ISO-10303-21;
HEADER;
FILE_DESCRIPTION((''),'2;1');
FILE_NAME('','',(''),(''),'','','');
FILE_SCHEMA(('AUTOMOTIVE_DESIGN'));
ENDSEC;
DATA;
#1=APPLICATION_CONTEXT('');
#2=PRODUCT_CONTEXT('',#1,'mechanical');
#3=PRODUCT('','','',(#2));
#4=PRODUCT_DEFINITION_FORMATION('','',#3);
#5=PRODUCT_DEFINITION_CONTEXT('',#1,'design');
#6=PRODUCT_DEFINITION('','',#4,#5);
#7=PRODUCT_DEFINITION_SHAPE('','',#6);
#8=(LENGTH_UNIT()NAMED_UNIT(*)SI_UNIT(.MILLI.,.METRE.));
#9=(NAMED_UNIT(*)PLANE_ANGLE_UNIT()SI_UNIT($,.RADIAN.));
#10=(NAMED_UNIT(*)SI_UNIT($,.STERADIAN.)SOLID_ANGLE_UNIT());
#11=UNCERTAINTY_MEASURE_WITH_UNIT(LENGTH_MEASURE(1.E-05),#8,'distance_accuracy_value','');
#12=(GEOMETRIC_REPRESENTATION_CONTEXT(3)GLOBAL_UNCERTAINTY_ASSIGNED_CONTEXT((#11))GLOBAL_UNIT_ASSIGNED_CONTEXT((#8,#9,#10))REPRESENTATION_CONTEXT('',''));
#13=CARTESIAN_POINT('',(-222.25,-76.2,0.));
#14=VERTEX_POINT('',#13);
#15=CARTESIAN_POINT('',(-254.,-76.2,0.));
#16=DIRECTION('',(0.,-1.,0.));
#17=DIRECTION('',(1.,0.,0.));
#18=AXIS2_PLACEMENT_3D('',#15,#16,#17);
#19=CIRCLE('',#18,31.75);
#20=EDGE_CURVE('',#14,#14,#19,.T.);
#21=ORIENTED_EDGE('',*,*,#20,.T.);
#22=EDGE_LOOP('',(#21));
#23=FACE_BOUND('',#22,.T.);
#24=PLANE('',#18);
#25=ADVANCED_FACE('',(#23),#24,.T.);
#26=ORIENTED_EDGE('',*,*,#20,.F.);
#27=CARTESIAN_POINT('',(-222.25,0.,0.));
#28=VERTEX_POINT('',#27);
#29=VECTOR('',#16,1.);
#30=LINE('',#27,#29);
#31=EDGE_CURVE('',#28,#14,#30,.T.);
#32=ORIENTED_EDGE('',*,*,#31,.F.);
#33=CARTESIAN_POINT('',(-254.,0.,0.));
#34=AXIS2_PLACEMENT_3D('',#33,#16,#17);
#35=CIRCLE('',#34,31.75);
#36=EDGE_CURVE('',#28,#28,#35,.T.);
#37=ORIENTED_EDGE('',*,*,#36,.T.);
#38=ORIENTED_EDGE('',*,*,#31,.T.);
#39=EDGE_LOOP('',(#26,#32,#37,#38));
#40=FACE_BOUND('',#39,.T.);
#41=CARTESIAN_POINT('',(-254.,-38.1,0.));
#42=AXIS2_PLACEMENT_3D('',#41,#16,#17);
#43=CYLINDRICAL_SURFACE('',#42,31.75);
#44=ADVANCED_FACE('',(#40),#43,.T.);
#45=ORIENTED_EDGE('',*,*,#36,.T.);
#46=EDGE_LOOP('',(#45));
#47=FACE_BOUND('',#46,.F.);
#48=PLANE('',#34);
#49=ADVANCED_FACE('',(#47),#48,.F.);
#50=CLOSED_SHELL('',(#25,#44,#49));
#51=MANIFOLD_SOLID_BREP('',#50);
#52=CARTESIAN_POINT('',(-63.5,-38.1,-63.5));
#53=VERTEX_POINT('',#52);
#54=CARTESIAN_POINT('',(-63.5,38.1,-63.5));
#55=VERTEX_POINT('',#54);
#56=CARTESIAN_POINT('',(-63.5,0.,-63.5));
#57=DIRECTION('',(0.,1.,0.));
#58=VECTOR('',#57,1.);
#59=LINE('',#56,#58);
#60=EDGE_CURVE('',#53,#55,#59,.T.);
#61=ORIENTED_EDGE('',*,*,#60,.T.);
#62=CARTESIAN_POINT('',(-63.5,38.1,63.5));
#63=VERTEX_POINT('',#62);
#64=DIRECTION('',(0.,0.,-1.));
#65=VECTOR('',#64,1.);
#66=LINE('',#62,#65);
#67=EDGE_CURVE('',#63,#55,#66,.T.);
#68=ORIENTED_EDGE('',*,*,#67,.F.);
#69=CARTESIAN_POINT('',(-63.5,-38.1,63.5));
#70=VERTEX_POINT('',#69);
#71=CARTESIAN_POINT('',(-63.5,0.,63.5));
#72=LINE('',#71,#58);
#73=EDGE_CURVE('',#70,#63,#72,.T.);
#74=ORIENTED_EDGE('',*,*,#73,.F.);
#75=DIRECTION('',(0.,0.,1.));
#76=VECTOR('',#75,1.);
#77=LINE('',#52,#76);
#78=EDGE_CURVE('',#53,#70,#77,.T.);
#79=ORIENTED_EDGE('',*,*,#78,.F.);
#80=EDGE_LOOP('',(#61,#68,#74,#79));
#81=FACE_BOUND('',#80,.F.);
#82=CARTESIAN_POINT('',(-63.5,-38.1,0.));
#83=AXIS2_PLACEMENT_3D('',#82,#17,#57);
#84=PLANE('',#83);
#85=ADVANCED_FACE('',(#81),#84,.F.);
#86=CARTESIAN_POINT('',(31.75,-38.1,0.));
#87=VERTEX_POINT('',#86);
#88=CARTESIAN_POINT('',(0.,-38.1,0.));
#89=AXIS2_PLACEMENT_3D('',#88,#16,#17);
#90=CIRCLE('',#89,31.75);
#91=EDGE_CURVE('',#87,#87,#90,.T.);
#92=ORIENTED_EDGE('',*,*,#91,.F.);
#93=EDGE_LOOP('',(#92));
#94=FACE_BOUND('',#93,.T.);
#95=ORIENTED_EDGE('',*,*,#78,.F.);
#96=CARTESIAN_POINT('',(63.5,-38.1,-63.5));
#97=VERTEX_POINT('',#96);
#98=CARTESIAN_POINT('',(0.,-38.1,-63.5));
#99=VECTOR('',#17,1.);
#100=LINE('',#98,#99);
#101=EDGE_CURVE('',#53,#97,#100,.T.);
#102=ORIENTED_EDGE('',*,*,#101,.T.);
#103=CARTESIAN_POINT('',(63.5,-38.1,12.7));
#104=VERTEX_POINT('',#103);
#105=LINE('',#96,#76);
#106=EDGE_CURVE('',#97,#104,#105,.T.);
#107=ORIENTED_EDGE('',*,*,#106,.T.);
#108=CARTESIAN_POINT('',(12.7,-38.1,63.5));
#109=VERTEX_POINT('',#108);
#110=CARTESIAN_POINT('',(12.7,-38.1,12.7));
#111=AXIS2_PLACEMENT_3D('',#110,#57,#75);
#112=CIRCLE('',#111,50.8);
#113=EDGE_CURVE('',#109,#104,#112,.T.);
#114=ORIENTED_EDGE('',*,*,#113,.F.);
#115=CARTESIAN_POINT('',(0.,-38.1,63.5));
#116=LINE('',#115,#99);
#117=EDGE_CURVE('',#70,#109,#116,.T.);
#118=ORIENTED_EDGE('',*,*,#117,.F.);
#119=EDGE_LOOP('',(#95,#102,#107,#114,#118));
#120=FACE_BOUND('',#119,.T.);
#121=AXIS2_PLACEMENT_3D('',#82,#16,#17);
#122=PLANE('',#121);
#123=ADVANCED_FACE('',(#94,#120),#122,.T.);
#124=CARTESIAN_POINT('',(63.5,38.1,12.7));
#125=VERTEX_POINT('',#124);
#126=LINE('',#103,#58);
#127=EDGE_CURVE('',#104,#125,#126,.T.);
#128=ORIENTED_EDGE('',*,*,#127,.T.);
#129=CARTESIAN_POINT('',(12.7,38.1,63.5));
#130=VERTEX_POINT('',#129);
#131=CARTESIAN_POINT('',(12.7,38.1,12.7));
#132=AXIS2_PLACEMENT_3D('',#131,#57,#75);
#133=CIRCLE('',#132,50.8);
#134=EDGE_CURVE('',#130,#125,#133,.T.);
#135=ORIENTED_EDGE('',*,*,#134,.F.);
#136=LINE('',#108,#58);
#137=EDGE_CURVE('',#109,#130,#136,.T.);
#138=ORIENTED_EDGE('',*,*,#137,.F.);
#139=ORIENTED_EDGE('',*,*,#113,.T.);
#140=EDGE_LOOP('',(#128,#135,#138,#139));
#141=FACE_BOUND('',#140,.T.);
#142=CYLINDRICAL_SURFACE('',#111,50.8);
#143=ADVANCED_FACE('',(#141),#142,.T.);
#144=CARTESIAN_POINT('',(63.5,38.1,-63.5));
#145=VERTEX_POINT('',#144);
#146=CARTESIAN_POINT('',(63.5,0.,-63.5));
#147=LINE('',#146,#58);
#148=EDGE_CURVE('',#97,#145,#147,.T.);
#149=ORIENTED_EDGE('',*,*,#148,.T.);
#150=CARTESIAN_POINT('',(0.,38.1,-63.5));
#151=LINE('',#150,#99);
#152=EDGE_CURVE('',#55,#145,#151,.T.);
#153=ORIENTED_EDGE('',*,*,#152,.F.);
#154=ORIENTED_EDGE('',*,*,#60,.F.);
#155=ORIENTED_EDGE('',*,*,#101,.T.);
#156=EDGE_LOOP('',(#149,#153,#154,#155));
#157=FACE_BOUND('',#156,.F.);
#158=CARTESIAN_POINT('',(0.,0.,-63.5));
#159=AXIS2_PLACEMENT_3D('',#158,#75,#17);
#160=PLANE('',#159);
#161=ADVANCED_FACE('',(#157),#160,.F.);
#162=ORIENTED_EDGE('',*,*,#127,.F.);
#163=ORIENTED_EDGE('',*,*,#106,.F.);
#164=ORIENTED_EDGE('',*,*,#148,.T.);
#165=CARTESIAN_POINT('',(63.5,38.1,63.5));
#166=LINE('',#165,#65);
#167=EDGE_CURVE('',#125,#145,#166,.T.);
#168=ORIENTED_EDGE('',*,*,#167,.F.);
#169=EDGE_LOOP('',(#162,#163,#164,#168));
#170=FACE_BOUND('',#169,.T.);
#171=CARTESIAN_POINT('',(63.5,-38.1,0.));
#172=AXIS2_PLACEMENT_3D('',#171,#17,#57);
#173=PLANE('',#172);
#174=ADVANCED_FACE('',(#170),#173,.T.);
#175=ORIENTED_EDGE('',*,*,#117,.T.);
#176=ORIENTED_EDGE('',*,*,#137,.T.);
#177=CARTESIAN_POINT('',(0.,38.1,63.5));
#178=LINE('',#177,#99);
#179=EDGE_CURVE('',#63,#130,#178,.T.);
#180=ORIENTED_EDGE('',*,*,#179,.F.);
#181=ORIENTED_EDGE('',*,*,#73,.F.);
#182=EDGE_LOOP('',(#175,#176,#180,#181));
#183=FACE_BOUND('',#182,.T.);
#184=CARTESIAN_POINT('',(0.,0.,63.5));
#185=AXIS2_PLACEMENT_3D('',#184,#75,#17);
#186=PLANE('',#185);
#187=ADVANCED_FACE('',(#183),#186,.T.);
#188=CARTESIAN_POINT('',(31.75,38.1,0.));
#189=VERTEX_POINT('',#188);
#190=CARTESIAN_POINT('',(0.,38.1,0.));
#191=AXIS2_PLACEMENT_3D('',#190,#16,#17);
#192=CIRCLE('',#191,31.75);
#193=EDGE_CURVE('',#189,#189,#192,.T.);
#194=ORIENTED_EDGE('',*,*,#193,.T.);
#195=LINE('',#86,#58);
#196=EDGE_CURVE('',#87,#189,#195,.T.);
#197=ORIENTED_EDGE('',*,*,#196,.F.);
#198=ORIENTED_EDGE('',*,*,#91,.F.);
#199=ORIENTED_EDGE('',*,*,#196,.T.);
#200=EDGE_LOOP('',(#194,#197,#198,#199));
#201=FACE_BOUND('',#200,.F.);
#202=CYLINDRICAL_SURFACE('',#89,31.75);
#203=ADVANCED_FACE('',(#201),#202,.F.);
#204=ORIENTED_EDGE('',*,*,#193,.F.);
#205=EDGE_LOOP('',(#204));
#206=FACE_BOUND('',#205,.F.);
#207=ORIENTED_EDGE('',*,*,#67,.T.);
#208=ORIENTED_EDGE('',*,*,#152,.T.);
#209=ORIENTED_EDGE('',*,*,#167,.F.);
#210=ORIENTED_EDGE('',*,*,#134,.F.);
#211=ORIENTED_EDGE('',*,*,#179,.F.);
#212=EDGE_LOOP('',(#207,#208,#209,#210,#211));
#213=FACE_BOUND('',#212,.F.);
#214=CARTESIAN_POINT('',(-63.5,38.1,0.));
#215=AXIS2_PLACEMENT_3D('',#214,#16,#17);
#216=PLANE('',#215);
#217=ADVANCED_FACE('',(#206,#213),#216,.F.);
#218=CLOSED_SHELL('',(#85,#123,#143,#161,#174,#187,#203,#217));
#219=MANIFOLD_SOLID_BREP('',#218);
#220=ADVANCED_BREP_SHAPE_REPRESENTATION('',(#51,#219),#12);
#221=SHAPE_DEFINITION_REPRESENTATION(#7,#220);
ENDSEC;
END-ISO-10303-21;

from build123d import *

# Parameters (mm, degrees)
F0_W     = 127
F0_H     = 76.2
F1_DEPTH = 63.5
F2_R     = 50.8
F3_R     = 31.75
F4_DEPTH = 76.201
F5_R     = 31.75
F6_DEPTH = 38.1


with BuildPart() as f1:
    # F0 (on Top) → F1 (new body, symmetric)
    with BuildSketch(Plane.XY):
        Rectangle(F0_W, F0_H)
    extrude(amount=F1_DEPTH, both=True)

    # F2
    f2_edges = [f1.edges().sort_by_distance(p)[0] for p in [
        (63.5, 0, 63.5),
    ]]
    fillet(f2_edges, radius=F2_R)

    # F3 (on face) → F4 (cut, through all)
    with BuildSketch(Plane.XZ.offset(38.1)):
        Circle(F3_R)
    extrude(amount=-F4_DEPTH, mode=Mode.SUBTRACT)


with BuildPart() as f6:
    # F5 (on face) → F6 (new body, symmetric)
    with BuildSketch(Plane.XZ.offset(38.1)):
        with Locations((-254, 0)):
            Circle(F5_R)
    extrude(amount=F6_DEPTH, both=True)


solid = Compound([f1.part, f6.part])
